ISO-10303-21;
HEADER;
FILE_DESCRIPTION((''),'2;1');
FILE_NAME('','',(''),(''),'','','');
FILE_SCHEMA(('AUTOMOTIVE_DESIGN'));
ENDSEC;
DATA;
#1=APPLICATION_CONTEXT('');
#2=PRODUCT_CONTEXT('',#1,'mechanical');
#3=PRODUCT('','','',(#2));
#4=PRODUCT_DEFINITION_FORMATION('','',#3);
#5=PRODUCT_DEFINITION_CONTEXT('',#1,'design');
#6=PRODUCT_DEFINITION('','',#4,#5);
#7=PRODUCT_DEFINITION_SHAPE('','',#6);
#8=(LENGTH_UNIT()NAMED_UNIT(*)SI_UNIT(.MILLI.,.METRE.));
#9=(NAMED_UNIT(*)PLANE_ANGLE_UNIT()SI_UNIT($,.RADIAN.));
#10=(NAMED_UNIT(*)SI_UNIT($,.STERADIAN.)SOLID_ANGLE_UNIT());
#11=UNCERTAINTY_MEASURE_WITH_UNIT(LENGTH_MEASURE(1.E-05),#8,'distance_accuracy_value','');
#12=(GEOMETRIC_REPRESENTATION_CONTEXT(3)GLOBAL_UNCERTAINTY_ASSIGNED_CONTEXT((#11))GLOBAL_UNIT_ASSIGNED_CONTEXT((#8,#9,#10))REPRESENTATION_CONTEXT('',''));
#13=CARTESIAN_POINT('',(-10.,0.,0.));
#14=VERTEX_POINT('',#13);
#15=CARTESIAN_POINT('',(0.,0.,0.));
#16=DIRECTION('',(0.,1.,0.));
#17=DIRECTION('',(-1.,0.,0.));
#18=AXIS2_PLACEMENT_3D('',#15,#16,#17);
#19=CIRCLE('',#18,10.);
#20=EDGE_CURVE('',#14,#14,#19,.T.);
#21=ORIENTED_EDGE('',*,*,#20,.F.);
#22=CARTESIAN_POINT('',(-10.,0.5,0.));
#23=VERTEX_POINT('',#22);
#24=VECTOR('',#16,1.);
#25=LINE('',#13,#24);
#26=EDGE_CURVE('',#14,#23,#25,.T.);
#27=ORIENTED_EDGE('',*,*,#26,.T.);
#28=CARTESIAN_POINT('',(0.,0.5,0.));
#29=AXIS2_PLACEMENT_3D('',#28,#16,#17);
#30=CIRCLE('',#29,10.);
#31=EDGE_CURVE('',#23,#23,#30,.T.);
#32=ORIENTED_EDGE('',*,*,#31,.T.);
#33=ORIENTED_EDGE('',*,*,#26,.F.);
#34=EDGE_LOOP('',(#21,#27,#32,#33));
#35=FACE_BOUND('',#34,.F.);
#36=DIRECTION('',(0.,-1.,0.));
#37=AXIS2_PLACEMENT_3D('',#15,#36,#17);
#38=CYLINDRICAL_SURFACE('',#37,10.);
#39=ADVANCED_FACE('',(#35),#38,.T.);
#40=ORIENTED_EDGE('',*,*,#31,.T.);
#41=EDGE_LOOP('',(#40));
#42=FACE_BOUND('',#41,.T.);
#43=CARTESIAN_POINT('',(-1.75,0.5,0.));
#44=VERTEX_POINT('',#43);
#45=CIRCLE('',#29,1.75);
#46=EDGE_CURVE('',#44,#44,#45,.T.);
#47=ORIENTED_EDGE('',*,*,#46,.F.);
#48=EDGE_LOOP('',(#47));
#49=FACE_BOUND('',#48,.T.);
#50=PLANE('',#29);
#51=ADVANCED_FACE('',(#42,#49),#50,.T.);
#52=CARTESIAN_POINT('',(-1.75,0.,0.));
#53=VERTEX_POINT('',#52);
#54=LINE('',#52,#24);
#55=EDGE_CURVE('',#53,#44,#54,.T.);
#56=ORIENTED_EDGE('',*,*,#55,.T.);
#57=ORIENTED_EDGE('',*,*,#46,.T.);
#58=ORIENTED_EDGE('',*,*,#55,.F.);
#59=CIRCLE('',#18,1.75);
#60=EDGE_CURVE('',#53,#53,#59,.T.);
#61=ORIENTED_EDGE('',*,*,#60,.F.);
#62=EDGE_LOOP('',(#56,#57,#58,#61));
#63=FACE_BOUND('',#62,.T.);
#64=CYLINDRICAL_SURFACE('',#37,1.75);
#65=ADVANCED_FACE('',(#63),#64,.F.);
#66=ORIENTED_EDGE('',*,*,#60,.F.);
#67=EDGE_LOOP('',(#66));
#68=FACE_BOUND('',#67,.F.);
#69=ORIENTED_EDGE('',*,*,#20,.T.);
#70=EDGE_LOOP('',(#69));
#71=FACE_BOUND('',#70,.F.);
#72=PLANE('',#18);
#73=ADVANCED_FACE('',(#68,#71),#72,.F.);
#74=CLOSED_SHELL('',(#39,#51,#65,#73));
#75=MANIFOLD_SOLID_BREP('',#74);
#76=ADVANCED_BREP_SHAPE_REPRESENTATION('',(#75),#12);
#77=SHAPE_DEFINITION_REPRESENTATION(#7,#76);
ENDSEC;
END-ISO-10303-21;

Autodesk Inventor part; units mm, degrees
ref_plane "YZ Plane" through (0, 0, 0) normal (1, 0, 0) x (0, 1, 0)
ref_plane "XZ Plane" through (0, 0, 0) normal (0, 1, 0) x (-1, 0, 0)
ref_plane "XY Plane" through (0, 0, 0) normal (0, 0, 1) x (1, 0, 0)
sketch "Эскиз1" plane through (0, 0, 0) normal (0, 1, 0) x (-1, 0, 0)
  circle A0 centre (0, 0) radius 10
  circle A1 centre (0, 0) radius 1.75
  dimension "d0" = 20
  dimension "d1" = 3.5
extrude "Выдавливание1" add sketch "Эскиз1" along normal blind 0.5
properties part number "Прокладка"
